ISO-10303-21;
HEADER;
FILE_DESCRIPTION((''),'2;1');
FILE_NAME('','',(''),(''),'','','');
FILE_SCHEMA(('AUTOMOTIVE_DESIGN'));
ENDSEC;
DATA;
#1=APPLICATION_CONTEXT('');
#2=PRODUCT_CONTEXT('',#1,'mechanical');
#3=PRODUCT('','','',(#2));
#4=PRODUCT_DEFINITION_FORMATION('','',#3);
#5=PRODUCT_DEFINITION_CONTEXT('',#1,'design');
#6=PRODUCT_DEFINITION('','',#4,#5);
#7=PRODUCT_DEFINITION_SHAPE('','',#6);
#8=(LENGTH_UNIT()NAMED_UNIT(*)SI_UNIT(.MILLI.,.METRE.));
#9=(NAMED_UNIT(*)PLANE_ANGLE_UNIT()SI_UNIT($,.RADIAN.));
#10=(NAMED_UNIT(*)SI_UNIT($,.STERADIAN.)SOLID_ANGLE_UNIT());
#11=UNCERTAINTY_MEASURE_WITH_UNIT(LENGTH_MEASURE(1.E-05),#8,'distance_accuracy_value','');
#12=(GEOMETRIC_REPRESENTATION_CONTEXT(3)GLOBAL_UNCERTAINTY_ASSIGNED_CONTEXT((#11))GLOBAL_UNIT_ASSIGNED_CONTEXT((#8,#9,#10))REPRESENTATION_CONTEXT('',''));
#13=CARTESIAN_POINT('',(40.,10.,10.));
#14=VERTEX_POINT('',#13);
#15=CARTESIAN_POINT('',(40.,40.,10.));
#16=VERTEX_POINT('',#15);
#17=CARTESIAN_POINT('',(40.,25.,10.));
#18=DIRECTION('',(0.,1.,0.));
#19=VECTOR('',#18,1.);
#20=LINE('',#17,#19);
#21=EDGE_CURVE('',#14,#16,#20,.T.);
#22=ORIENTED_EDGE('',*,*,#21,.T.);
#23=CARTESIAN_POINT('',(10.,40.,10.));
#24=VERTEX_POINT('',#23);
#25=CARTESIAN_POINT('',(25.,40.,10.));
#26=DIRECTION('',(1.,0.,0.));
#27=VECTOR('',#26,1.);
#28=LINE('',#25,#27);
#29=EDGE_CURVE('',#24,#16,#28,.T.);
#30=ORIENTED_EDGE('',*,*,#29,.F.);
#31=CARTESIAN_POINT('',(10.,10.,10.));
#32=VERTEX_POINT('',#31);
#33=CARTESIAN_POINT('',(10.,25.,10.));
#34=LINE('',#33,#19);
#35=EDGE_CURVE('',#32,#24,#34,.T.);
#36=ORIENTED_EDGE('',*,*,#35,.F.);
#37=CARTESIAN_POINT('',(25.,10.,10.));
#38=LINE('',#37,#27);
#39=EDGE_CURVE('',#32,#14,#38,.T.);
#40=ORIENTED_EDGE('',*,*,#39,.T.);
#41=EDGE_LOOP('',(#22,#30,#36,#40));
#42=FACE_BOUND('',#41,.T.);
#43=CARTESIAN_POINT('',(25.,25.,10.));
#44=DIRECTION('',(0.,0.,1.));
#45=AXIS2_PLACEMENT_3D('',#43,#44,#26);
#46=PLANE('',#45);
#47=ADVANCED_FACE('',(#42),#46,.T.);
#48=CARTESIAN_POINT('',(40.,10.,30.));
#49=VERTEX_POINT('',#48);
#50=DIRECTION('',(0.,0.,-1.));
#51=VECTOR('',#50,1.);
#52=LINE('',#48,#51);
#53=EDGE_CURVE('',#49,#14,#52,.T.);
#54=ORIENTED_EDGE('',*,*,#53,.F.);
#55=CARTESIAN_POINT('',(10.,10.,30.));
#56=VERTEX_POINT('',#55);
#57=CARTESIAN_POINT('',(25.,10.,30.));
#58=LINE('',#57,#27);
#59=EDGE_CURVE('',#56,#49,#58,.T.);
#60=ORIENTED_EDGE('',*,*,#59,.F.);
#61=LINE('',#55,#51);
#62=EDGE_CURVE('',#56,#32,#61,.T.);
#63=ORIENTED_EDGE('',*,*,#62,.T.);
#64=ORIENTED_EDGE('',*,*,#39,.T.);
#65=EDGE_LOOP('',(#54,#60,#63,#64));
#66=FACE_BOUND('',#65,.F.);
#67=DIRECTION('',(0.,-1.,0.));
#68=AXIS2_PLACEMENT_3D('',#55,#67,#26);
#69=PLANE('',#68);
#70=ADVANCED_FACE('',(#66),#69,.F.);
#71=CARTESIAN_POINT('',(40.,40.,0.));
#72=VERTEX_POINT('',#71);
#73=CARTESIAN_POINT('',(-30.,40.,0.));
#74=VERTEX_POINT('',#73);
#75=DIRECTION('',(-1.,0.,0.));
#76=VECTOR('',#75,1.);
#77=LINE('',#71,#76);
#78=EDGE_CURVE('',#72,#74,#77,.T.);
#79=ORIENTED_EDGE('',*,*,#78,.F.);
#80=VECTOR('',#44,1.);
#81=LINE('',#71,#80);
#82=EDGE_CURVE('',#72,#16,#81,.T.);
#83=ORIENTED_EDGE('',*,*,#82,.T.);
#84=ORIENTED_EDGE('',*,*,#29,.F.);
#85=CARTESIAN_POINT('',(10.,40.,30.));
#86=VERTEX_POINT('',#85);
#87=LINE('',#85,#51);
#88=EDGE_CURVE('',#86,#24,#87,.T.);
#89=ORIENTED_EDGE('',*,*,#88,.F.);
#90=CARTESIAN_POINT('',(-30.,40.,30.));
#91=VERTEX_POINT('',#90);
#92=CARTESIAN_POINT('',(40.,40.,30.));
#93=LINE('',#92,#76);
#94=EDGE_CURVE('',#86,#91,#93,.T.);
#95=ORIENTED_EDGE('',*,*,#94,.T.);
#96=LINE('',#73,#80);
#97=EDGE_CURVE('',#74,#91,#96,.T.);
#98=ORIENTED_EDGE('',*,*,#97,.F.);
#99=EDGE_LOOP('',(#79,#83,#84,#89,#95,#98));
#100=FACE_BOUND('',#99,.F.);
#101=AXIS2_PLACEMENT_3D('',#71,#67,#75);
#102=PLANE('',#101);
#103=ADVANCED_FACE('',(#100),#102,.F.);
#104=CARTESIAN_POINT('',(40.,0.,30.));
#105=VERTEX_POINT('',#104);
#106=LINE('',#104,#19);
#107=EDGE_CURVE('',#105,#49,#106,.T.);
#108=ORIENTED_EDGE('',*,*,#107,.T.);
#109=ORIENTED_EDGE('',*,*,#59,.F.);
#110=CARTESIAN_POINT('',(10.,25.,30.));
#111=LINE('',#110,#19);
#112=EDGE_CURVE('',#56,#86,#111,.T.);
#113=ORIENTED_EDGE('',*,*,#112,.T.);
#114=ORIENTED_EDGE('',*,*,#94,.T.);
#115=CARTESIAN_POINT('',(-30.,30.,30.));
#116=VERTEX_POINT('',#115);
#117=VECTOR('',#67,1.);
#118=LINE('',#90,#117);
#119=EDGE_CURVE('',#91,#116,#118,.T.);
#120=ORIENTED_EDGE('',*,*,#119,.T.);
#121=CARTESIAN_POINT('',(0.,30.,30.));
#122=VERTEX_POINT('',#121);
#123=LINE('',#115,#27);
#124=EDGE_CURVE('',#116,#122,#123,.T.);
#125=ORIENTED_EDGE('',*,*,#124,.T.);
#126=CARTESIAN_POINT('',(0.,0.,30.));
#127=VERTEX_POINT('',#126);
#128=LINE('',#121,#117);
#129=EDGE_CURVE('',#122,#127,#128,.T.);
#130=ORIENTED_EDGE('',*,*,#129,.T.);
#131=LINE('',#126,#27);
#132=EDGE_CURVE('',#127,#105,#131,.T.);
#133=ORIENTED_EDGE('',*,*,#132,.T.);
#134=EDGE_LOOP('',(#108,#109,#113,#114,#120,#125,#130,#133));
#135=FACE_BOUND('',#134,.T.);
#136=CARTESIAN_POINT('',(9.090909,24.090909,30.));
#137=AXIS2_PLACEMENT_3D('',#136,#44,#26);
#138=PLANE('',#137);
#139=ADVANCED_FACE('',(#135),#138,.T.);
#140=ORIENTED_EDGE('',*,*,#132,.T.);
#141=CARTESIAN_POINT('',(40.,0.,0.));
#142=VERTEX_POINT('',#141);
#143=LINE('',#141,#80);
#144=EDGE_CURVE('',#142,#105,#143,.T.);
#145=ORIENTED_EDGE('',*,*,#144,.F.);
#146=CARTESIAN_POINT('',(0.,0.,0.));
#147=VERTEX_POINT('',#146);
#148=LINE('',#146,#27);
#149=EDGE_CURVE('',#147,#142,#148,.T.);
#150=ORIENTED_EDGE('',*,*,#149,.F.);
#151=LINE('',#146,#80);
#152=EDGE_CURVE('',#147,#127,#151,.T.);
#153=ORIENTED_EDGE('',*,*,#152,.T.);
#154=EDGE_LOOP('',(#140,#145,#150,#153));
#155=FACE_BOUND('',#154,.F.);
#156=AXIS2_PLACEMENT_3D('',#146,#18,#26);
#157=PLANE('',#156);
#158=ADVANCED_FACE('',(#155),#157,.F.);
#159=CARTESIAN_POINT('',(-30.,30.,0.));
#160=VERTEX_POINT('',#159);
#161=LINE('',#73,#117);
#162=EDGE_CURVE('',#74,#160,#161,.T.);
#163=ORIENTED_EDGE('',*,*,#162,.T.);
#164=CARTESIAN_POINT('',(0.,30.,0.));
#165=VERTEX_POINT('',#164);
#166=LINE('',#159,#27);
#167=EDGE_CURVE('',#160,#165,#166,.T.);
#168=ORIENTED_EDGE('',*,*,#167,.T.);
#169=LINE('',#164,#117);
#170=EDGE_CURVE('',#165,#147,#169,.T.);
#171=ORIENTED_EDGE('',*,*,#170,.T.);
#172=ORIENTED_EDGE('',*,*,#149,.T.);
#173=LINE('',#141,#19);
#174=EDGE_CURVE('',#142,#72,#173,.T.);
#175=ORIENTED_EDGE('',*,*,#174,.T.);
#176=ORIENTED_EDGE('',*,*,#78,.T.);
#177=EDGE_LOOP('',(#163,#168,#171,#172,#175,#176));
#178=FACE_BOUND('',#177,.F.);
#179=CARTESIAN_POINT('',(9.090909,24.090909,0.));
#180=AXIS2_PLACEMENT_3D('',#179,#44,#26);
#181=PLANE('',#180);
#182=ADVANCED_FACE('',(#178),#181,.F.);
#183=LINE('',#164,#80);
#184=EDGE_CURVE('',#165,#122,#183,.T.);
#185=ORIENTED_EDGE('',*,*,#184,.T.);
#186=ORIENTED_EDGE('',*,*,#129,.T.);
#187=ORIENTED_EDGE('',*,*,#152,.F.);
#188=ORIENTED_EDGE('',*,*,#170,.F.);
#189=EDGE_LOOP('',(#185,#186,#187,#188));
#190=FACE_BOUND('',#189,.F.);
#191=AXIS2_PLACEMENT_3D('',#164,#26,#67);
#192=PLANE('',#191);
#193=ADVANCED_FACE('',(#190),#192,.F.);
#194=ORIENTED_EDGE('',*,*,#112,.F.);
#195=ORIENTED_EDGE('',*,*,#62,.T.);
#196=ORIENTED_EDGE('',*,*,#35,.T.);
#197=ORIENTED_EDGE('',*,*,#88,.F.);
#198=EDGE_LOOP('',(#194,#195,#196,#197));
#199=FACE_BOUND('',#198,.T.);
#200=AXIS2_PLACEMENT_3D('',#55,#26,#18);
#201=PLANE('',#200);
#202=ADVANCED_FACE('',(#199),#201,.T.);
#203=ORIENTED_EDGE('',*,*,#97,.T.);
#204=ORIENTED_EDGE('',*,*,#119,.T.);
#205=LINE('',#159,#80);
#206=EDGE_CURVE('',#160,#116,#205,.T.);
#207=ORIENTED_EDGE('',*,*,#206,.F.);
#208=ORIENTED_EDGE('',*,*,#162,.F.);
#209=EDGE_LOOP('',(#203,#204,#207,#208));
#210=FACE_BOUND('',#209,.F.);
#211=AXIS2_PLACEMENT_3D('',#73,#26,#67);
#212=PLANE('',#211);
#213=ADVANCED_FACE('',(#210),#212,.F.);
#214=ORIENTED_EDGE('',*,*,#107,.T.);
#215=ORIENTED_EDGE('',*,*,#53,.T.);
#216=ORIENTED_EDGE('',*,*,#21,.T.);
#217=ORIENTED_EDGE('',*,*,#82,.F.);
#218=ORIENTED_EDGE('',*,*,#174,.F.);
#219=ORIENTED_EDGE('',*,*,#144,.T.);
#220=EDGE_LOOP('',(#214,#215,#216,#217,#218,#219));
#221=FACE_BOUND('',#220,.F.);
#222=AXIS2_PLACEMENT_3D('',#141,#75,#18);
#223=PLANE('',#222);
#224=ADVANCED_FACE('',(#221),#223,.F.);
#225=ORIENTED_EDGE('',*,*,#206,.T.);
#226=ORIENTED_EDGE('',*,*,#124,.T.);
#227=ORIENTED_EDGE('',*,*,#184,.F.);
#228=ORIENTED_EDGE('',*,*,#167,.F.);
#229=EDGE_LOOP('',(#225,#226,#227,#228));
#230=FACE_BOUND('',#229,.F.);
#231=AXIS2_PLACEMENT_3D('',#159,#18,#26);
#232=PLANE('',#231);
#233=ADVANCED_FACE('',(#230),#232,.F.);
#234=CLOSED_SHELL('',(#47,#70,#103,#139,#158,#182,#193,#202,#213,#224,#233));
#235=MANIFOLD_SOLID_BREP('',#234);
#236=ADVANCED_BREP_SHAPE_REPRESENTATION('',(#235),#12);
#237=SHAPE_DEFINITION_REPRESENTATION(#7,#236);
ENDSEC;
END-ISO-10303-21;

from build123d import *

# Parameters (mm, degrees)
F1_DEPTH = 30
F2_W     = 30
F2_H     = 30
F3_DEPTH = 20


with BuildPart() as f1:
    # F0 (on Top) → F1 (new body)
    with BuildSketch(Plane.XY):
        Polygon((0, 30), (0, 0), (40, 0), (40, 40), (-30, 40), (-30, 30), align=None)
    extrude(amount=F1_DEPTH)

    # F2 (on face) → F3 (cut)
    with BuildSketch(Plane.XY.offset(30)):
        with Locations((25, 25)):
            Rectangle(F2_W, F2_H)
    extrude(amount=-F3_DEPTH, mode=Mode.SUBTRACT)


solid = f1.part
